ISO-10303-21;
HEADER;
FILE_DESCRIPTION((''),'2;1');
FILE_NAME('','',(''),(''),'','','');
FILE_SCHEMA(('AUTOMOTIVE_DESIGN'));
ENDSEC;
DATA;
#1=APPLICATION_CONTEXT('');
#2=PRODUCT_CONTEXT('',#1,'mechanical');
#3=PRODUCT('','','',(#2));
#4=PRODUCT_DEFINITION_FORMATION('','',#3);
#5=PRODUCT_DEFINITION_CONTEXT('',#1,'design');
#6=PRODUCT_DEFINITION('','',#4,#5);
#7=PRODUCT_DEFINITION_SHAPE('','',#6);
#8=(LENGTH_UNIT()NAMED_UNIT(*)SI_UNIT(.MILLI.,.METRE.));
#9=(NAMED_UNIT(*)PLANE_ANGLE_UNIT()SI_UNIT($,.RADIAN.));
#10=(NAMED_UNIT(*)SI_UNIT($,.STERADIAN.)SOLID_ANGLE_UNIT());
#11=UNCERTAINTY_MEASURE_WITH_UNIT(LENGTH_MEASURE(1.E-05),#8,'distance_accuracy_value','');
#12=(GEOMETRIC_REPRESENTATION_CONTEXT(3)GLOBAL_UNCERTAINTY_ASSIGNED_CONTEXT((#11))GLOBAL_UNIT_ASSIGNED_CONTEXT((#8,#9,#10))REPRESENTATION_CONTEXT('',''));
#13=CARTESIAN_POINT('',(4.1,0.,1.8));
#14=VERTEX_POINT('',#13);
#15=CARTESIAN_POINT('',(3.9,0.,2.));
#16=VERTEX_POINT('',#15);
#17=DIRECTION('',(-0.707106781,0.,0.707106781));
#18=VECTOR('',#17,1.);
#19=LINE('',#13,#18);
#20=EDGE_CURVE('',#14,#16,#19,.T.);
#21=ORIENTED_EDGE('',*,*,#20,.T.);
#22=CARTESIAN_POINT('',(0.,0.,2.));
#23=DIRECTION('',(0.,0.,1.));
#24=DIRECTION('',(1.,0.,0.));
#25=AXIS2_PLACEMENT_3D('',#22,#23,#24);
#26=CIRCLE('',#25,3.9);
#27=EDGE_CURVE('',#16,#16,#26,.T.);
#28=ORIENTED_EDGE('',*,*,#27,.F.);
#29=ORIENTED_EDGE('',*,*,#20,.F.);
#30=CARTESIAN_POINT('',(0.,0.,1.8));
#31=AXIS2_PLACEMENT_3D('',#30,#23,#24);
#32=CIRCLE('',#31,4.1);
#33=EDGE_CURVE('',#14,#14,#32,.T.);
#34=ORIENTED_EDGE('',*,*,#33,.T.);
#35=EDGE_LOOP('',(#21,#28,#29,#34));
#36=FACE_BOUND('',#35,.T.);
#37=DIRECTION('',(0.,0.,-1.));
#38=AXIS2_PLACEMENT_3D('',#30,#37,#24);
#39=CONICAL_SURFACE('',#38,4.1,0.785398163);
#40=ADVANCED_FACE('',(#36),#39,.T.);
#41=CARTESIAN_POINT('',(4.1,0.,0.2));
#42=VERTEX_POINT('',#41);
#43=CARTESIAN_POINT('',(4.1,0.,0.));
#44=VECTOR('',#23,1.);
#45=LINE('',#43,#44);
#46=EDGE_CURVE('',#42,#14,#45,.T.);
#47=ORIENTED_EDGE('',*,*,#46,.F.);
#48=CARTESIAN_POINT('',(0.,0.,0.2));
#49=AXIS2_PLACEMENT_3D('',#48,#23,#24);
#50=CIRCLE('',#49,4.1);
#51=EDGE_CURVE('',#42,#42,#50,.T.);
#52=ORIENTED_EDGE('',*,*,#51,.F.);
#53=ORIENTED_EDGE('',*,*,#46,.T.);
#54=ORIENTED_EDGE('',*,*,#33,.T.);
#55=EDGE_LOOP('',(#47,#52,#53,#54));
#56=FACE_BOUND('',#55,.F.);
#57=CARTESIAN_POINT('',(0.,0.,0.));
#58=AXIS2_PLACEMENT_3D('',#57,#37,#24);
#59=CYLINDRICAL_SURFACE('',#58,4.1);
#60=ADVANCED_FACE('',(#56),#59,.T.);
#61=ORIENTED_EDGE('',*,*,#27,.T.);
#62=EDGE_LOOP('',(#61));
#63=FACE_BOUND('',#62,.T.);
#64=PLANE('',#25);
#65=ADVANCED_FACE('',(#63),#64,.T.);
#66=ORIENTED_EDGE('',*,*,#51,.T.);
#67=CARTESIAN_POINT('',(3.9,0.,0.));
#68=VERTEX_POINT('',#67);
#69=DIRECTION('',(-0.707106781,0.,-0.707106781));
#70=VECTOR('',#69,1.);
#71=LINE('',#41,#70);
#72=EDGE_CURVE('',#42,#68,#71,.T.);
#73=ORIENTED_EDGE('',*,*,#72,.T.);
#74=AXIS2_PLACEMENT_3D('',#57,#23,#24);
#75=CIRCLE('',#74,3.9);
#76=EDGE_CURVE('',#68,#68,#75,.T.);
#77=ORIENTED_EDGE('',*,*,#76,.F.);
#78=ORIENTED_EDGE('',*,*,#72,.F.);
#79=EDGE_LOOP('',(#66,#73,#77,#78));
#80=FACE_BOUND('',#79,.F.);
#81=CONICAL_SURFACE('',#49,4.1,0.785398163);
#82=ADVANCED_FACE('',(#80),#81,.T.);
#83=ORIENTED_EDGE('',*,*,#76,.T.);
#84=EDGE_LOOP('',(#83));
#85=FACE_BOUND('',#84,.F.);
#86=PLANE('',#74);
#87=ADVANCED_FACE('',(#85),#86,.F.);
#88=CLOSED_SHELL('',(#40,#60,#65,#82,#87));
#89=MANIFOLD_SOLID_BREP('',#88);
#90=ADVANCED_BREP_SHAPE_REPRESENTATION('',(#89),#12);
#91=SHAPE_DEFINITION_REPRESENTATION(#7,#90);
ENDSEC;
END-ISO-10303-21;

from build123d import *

# Parameters (mm, degrees)
CYLINDER_R     = 4.1
CYLINDER_DEPTH = 2
CHAMFER_SIZE   = 0.2


with BuildPart() as part:
    # Cylinder → Cylinder (join)
    with BuildSketch(Plane.XY):
        Circle(CYLINDER_R)
    extrude(amount=CYLINDER_DEPTH)

    # Chamfer
    chamfer_edges = [part.edges().sort_by_distance(p)[0] for p in [
        (-4.1, 0, 0),
        (-4.1, 0, 2),
    ]]
    chamfer(chamfer_edges, length=CHAMFER_SIZE)


solid = part.part
